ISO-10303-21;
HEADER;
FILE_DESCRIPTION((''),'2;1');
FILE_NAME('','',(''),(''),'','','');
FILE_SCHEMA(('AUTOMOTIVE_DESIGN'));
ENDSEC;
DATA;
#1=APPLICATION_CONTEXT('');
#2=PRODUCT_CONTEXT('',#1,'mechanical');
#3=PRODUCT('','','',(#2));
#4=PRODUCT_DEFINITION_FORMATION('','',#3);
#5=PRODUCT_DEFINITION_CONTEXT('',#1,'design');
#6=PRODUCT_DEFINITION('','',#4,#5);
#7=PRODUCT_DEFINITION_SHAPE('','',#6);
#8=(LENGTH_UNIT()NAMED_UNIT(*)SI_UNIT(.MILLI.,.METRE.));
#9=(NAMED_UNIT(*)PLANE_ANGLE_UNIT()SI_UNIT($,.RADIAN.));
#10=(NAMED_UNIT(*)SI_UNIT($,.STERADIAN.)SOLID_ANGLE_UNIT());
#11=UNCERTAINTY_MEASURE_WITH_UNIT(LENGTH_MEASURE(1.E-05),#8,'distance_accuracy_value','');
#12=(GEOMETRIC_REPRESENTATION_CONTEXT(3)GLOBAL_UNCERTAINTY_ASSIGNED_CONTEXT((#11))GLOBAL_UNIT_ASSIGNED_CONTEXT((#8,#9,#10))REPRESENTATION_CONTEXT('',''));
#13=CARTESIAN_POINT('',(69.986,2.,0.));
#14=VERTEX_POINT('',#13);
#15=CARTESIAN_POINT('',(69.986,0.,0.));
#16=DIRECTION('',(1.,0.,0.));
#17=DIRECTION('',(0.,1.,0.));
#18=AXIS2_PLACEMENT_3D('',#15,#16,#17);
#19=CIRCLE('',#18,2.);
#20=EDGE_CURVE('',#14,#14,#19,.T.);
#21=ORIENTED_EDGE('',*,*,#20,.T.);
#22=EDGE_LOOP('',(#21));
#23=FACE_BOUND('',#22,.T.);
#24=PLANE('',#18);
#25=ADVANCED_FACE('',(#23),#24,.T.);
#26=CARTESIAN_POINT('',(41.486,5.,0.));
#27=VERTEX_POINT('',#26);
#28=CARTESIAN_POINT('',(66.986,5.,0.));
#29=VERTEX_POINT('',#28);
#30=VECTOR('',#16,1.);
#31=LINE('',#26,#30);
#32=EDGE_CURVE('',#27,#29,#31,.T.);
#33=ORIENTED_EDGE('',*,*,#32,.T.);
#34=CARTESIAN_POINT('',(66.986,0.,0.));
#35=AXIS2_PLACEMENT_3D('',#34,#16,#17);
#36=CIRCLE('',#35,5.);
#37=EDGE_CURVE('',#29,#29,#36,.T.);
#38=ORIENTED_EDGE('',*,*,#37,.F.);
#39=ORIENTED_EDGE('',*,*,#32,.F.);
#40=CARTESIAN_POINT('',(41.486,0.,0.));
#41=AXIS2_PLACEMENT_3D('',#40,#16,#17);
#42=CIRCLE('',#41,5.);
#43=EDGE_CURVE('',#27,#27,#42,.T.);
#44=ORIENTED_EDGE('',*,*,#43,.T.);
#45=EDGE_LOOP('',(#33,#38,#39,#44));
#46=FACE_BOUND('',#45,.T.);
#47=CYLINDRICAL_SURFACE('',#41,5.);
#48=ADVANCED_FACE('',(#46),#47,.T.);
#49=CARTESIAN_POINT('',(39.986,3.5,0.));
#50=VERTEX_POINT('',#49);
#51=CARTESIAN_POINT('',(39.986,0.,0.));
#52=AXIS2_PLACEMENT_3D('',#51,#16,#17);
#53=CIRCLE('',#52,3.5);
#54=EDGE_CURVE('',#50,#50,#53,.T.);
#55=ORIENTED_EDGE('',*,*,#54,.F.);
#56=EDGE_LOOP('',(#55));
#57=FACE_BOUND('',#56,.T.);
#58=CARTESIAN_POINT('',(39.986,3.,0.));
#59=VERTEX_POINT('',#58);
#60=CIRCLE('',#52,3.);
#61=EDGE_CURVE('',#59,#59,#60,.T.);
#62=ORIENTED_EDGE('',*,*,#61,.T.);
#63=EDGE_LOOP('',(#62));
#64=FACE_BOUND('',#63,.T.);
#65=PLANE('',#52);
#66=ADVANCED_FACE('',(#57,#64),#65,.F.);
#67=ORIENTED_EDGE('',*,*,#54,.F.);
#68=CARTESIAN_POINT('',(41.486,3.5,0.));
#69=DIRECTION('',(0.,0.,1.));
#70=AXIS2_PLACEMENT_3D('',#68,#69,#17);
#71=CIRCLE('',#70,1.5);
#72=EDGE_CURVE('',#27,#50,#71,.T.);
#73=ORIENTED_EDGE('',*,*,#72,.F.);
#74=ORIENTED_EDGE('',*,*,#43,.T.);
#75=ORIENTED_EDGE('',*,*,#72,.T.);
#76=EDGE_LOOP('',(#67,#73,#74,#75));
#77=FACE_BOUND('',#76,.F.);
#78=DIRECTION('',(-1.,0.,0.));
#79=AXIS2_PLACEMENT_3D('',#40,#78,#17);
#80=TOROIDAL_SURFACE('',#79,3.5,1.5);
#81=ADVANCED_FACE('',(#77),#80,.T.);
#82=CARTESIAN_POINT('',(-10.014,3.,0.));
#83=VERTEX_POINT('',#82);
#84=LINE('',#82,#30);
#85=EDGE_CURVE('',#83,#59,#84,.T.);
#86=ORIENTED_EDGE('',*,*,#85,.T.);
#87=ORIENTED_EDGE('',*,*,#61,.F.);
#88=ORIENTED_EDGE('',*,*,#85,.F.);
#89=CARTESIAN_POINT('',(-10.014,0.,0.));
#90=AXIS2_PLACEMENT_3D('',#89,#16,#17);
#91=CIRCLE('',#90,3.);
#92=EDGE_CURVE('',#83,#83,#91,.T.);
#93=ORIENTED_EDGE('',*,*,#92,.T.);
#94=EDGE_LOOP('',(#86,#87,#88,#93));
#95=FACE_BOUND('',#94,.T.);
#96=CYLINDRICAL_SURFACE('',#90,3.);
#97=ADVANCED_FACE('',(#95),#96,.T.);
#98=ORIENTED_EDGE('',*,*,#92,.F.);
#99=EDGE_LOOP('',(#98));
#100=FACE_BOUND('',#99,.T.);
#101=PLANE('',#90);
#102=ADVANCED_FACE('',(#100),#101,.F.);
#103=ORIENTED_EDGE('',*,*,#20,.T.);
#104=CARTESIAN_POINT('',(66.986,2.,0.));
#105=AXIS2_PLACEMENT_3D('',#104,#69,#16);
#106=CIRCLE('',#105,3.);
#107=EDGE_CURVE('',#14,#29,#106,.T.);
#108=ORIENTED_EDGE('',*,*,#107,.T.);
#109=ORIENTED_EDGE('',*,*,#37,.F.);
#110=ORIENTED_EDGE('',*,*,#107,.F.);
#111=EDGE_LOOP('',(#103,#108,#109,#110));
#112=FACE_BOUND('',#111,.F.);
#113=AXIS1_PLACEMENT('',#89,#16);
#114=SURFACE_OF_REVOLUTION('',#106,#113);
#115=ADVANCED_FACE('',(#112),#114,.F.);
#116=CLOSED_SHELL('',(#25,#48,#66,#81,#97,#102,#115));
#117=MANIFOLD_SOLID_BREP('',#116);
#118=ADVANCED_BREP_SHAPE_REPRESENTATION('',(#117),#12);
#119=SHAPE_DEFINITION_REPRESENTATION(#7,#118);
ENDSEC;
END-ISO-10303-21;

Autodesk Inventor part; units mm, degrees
ref_plane "YZ Plane" through (0, 0, 0) normal (1, 0, 0) x (0, 1, 0)
ref_plane "XZ Plane" through (0, 0, 0) normal (0, 1, 0) x (-1, 0, 0)
ref_plane "XY Plane" through (0, 0, 0) normal (0, 0, 1) x (1, 0, 0)
sketch "Sketch1" plane through (0, 0, 0) normal (0, 0, 1) x (1, 0, 0)
  line L0 (-10.014, 0) -> (-10.014, 3)
  line L1 (-10.014, 3) -> (39.986, 3)
  line L2 (39.986, 3) -> (39.986, 3.5)
  line L3 (41.486, 5) -> (66.986, 5)
  line L4 (69.986, 2) -> (69.986, 0)
  arc A0 (41.486, 5) -> (39.986, 3.5) centre (41.486, 3.5) ccw
  arc A1 (69.986, 2) -> (66.986, 5) centre (66.986, 2) ccw
  line L5 (-10.014, 0) -> (69.986, 0)
  point P0 (0, 0)
  point P1 (39.986, 5)
  point P2 (69.986, 5)
  dimension "d0" = 3
  dimension "d1" = 50
  dimension "d2" = 2
  dimension "d3" = 30
  dimension "d4" = 1.5
  dimension "d5" = 3
revolve "Revolution1" add sketch "Sketch1" angle 360 about axis through (-10.014, 0, 0) along (1, 0, 0)
properties part number "ocas" material "Wood (Birch)"
